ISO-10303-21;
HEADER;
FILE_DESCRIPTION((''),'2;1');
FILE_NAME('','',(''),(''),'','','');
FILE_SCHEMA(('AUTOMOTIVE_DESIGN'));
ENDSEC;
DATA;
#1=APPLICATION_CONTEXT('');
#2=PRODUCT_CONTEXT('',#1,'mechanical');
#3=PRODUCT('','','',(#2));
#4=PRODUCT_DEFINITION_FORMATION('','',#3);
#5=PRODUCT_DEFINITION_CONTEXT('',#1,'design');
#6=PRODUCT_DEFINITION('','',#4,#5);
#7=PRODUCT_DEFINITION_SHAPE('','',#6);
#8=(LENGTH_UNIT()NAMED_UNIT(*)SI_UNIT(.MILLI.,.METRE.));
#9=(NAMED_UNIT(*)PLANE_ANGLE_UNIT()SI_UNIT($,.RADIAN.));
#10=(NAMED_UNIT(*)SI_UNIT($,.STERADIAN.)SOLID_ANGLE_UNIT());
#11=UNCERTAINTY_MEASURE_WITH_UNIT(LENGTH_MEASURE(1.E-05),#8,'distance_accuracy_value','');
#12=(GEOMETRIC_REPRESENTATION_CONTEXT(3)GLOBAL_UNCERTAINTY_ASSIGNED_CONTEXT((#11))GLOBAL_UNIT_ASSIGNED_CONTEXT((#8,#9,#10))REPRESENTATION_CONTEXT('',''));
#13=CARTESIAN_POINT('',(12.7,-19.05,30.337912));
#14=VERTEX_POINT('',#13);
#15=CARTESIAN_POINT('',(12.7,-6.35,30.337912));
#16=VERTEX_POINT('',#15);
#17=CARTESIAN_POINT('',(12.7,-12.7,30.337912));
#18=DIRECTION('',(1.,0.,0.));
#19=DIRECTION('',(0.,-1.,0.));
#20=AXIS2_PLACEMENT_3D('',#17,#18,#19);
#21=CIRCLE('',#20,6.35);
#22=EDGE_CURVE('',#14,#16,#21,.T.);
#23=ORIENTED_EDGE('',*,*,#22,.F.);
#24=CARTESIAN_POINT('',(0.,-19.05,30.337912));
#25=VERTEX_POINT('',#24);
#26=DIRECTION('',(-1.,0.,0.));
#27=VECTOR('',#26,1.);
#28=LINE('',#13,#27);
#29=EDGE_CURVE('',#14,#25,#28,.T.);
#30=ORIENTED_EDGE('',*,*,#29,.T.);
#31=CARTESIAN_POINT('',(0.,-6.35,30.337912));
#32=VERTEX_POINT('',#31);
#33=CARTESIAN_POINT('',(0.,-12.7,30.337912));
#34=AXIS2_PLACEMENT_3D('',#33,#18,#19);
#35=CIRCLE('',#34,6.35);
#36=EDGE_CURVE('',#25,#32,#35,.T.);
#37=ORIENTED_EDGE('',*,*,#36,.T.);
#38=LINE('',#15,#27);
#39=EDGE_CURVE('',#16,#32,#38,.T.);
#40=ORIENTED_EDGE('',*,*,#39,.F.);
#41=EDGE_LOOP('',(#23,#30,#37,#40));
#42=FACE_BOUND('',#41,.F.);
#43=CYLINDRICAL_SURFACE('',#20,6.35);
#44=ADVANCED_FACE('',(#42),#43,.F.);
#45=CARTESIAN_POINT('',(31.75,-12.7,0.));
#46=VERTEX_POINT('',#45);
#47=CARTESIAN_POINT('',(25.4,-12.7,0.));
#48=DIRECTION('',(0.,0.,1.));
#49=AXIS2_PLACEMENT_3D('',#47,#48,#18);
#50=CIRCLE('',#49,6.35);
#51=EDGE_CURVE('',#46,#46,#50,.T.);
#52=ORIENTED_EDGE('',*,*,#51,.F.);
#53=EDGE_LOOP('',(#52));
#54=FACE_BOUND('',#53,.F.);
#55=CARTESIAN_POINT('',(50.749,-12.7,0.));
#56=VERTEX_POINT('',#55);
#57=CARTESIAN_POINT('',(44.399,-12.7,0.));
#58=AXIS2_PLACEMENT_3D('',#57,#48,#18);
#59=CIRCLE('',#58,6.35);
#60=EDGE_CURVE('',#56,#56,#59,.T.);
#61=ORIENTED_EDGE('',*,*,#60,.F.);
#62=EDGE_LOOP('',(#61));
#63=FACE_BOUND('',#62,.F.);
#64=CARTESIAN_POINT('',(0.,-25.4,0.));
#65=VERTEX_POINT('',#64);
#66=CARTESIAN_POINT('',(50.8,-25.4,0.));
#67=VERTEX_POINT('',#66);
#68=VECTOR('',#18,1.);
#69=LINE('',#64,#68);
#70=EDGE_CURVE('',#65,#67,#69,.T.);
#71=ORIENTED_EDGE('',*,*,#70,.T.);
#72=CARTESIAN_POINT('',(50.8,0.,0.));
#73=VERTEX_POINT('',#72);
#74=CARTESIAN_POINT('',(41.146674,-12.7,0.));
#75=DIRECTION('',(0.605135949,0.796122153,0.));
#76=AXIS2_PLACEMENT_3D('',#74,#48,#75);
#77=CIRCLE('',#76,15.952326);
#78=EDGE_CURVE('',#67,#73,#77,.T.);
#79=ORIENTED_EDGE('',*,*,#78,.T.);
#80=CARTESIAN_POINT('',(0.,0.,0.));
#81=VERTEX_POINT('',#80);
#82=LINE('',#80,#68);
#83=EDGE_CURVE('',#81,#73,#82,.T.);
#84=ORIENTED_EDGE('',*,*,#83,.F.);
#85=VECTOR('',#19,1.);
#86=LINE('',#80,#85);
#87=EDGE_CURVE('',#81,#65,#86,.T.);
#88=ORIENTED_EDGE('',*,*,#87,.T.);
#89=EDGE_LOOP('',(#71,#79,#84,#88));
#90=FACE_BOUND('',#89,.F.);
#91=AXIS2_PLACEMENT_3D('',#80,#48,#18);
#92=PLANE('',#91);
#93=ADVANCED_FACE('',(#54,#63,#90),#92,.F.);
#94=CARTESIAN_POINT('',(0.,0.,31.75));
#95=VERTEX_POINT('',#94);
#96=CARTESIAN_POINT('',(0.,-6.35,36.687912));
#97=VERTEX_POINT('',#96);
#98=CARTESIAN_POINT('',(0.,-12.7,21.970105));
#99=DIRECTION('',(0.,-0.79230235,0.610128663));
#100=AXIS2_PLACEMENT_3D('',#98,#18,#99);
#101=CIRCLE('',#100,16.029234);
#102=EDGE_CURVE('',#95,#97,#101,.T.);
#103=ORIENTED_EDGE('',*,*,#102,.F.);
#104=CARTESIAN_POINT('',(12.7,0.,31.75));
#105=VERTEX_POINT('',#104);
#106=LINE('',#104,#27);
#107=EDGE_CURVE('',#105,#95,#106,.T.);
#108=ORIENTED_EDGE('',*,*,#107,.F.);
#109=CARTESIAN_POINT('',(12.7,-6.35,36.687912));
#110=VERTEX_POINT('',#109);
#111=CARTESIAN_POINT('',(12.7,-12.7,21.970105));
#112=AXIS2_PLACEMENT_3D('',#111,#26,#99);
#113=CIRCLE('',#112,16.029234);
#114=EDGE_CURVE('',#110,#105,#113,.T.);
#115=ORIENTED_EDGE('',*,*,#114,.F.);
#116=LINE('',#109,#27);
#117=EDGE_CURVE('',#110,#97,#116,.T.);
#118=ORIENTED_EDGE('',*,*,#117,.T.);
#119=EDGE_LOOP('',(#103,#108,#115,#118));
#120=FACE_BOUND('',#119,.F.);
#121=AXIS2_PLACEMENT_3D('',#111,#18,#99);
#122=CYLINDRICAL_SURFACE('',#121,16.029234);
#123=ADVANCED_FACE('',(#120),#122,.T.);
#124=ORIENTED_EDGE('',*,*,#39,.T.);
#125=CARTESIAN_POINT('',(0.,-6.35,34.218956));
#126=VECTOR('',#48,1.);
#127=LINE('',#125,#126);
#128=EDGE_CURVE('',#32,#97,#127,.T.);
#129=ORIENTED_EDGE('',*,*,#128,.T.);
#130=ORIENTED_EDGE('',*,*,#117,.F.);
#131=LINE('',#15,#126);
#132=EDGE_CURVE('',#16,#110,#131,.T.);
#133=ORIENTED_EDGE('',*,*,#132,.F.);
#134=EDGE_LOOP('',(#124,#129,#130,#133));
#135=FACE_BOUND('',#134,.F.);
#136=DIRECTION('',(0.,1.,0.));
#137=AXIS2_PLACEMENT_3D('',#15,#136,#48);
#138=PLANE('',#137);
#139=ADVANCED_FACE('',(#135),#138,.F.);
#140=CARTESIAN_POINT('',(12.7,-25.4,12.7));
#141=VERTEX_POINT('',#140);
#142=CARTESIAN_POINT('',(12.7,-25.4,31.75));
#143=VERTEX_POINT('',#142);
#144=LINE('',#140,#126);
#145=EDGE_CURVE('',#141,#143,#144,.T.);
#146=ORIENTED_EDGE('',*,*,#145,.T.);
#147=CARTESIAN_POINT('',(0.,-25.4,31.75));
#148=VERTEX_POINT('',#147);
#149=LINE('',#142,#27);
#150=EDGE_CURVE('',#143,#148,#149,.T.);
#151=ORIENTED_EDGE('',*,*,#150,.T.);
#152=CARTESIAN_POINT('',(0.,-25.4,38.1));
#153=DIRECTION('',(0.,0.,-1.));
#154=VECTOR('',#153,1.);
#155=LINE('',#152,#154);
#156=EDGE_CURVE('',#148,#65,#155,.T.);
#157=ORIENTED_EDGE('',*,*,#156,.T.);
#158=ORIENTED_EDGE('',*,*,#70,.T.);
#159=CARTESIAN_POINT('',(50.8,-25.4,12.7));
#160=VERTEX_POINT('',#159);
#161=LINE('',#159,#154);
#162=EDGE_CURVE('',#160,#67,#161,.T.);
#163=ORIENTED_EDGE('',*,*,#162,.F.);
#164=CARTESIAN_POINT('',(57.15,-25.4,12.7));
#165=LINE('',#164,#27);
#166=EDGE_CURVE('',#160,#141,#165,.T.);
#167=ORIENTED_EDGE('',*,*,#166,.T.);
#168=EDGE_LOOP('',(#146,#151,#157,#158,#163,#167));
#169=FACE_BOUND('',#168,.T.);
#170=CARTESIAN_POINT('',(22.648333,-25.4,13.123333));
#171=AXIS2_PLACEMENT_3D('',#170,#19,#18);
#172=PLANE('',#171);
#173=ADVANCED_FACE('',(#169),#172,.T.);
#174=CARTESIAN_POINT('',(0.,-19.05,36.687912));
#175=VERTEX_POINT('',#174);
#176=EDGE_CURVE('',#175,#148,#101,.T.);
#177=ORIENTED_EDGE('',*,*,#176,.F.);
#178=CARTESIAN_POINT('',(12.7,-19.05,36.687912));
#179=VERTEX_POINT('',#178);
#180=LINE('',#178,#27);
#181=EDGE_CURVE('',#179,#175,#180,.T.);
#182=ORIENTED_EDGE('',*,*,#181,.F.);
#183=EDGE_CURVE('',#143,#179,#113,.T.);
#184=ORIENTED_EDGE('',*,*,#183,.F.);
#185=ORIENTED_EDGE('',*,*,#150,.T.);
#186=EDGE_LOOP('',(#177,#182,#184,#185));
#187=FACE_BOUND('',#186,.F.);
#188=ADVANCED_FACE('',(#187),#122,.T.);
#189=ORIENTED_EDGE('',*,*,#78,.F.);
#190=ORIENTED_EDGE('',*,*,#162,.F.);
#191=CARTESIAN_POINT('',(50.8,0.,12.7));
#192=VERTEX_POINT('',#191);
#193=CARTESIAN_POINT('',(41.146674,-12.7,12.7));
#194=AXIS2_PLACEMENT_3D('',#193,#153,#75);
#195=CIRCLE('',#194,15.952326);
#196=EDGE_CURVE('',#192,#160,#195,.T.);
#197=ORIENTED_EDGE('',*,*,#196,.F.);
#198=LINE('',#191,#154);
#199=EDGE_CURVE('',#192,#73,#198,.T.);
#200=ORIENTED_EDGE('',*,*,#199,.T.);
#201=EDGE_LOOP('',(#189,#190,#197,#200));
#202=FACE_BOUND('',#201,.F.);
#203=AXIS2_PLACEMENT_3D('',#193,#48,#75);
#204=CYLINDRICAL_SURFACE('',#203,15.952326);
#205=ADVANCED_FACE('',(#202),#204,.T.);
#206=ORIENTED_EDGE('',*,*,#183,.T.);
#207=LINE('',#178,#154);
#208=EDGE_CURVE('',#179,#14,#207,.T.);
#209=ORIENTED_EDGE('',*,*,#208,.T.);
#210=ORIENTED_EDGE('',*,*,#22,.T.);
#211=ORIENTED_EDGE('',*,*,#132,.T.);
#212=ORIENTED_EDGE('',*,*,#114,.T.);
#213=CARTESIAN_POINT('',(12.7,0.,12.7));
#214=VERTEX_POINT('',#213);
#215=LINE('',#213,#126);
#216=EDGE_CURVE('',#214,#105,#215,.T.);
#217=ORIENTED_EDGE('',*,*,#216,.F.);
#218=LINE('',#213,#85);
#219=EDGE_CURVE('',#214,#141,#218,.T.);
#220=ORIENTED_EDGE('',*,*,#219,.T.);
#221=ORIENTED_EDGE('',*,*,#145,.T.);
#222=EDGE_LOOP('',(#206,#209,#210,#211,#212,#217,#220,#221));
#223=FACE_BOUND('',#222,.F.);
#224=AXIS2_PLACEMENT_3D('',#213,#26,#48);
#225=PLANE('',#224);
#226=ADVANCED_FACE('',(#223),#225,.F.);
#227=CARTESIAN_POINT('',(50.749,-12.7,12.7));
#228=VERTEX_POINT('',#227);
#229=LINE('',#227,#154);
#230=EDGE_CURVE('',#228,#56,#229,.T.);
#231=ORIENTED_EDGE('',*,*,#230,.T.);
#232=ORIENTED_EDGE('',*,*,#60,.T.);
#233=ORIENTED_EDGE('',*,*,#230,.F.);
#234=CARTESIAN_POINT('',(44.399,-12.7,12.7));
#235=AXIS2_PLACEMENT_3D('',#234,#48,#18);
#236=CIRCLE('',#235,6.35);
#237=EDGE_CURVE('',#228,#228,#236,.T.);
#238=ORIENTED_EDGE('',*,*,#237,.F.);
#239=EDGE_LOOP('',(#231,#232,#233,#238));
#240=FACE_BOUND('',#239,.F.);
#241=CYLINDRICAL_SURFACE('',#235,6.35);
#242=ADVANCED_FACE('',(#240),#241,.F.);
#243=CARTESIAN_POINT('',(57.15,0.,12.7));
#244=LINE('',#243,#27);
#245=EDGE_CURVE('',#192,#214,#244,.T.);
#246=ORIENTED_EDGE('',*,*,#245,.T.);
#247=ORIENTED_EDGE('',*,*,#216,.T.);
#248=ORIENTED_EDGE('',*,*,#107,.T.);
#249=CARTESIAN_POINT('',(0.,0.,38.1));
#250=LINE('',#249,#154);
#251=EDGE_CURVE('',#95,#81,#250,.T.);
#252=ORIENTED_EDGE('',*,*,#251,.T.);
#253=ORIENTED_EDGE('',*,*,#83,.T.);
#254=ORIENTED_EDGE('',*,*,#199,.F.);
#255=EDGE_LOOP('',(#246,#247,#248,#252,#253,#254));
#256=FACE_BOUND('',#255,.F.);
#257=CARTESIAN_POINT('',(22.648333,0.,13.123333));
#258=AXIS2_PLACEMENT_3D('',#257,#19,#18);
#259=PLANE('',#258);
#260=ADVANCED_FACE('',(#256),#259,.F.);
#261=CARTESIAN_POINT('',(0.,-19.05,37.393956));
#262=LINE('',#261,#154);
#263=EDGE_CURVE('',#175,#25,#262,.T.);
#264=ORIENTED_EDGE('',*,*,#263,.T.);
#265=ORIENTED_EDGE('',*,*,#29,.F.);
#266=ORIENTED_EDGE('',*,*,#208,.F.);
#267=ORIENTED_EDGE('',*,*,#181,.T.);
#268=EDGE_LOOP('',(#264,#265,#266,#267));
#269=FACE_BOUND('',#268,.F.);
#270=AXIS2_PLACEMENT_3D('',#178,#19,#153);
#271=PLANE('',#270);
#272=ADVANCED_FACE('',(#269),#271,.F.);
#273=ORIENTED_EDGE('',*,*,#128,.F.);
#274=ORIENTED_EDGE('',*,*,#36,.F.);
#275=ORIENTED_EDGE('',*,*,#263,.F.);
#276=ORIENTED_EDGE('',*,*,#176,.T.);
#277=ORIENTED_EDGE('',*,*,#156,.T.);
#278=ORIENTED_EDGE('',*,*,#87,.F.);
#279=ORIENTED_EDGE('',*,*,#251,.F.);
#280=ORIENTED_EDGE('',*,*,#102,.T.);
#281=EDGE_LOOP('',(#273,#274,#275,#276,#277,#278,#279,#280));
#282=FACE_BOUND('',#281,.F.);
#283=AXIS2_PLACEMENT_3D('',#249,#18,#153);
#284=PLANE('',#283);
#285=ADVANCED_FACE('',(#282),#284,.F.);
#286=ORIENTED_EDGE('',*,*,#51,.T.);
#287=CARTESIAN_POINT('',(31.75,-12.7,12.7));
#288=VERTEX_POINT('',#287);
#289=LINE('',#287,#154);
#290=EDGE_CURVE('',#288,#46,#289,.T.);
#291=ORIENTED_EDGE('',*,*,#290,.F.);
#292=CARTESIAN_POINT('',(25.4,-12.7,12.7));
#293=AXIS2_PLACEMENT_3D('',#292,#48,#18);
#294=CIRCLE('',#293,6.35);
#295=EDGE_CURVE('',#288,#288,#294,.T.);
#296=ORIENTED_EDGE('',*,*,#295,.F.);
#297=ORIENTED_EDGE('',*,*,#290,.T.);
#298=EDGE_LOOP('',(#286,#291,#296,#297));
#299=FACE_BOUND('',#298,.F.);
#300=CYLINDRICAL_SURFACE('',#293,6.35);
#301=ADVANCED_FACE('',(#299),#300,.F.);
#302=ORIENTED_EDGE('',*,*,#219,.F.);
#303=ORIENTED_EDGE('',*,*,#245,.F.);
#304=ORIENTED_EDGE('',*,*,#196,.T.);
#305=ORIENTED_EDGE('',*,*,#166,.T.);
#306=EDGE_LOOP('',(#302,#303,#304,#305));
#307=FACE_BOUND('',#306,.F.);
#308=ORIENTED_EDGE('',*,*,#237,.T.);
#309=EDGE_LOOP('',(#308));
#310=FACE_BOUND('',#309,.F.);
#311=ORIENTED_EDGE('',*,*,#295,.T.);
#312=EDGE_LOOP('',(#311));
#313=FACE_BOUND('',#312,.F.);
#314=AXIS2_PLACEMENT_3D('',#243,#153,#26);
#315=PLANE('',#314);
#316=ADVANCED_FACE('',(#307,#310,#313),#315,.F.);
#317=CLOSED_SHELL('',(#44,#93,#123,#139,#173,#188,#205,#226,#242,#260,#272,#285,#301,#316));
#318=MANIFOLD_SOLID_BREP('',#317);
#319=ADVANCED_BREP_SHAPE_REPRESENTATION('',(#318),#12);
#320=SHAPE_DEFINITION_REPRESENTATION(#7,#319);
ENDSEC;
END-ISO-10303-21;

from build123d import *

# Parameters (mm, degrees)
F1_DEPTH = 25.4
F3_DEPTH = 25.4
F5_DEPTH = 25.4
F7_DEPTH = 25.4
F8_R     = 6.35
F9_DEPTH = 25.4


with BuildPart() as f1:
    # F0 (on Front) → F1 (new body)
    with BuildSketch(Plane.XZ):
        Polygon((0, 38.1), (0, 0), (57.15, 0), (57.15, 12.7), (12.7, 12.7), (12.7, 38.1), align=None)
    extrude(amount=F1_DEPTH)

    # F2 (on face) → F3 (cut)
    with BuildSketch(Plane.YZ.offset(12.7)):
        with BuildLine():
            Line((-25.4, 38.1), (-25.4, 31.75))
            ThreePointArc((-25.4, 31.75), (-12.7, 37.999339), (0, 31.75))
            Line((0, 31.75), (0, 38.1))
            Line((0, 38.1), (-25.4, 38.1))
        make_face()
    extrude(amount=-F3_DEPTH, mode=Mode.SUBTRACT)

    # F4 (on face) → F5 (cut)
    with BuildSketch(Plane.YZ.offset(12.7)):
        with BuildLine():
            ThreePointArc((-6.35, 36.687912), (-12.7, 37.999339), (-19.05, 36.687912))
            Line((-19.05, 36.687912), (-19.05, 30.337912))
            ThreePointArc((-19.05, 30.337912), (-12.7, 23.987912), (-6.35, 30.337912))
            Line((-6.35, 30.337912), (-6.35, 36.687912))
        make_face()
    extrude(amount=-F5_DEPTH, mode=Mode.SUBTRACT)

    # F6 (on face) → F7 (cut)
    with BuildSketch(Plane.XY.offset(12.7)):
        with BuildLine():
            Line((57.15, 0), (50.8, 0))
            ThreePointArc((50.8, 0), (57.099, -12.7), (50.8, -25.4))
            Line((50.8, -25.4), (57.15, -25.4))
            Line((57.15, -25.4), (57.15, 0))
        make_face()
    extrude(amount=-F7_DEPTH, mode=Mode.SUBTRACT)

    # F8 (on face) → F9 (cut)
    with BuildSketch(Plane.XY.offset(12.7)):
        with Locations((25.4, -12.7)):
            Circle(F8_R)
        with Locations((44.399, -12.7)):
            Circle(F8_R)
    extrude(amount=-F9_DEPTH, mode=Mode.SUBTRACT)


solid = f1.part
